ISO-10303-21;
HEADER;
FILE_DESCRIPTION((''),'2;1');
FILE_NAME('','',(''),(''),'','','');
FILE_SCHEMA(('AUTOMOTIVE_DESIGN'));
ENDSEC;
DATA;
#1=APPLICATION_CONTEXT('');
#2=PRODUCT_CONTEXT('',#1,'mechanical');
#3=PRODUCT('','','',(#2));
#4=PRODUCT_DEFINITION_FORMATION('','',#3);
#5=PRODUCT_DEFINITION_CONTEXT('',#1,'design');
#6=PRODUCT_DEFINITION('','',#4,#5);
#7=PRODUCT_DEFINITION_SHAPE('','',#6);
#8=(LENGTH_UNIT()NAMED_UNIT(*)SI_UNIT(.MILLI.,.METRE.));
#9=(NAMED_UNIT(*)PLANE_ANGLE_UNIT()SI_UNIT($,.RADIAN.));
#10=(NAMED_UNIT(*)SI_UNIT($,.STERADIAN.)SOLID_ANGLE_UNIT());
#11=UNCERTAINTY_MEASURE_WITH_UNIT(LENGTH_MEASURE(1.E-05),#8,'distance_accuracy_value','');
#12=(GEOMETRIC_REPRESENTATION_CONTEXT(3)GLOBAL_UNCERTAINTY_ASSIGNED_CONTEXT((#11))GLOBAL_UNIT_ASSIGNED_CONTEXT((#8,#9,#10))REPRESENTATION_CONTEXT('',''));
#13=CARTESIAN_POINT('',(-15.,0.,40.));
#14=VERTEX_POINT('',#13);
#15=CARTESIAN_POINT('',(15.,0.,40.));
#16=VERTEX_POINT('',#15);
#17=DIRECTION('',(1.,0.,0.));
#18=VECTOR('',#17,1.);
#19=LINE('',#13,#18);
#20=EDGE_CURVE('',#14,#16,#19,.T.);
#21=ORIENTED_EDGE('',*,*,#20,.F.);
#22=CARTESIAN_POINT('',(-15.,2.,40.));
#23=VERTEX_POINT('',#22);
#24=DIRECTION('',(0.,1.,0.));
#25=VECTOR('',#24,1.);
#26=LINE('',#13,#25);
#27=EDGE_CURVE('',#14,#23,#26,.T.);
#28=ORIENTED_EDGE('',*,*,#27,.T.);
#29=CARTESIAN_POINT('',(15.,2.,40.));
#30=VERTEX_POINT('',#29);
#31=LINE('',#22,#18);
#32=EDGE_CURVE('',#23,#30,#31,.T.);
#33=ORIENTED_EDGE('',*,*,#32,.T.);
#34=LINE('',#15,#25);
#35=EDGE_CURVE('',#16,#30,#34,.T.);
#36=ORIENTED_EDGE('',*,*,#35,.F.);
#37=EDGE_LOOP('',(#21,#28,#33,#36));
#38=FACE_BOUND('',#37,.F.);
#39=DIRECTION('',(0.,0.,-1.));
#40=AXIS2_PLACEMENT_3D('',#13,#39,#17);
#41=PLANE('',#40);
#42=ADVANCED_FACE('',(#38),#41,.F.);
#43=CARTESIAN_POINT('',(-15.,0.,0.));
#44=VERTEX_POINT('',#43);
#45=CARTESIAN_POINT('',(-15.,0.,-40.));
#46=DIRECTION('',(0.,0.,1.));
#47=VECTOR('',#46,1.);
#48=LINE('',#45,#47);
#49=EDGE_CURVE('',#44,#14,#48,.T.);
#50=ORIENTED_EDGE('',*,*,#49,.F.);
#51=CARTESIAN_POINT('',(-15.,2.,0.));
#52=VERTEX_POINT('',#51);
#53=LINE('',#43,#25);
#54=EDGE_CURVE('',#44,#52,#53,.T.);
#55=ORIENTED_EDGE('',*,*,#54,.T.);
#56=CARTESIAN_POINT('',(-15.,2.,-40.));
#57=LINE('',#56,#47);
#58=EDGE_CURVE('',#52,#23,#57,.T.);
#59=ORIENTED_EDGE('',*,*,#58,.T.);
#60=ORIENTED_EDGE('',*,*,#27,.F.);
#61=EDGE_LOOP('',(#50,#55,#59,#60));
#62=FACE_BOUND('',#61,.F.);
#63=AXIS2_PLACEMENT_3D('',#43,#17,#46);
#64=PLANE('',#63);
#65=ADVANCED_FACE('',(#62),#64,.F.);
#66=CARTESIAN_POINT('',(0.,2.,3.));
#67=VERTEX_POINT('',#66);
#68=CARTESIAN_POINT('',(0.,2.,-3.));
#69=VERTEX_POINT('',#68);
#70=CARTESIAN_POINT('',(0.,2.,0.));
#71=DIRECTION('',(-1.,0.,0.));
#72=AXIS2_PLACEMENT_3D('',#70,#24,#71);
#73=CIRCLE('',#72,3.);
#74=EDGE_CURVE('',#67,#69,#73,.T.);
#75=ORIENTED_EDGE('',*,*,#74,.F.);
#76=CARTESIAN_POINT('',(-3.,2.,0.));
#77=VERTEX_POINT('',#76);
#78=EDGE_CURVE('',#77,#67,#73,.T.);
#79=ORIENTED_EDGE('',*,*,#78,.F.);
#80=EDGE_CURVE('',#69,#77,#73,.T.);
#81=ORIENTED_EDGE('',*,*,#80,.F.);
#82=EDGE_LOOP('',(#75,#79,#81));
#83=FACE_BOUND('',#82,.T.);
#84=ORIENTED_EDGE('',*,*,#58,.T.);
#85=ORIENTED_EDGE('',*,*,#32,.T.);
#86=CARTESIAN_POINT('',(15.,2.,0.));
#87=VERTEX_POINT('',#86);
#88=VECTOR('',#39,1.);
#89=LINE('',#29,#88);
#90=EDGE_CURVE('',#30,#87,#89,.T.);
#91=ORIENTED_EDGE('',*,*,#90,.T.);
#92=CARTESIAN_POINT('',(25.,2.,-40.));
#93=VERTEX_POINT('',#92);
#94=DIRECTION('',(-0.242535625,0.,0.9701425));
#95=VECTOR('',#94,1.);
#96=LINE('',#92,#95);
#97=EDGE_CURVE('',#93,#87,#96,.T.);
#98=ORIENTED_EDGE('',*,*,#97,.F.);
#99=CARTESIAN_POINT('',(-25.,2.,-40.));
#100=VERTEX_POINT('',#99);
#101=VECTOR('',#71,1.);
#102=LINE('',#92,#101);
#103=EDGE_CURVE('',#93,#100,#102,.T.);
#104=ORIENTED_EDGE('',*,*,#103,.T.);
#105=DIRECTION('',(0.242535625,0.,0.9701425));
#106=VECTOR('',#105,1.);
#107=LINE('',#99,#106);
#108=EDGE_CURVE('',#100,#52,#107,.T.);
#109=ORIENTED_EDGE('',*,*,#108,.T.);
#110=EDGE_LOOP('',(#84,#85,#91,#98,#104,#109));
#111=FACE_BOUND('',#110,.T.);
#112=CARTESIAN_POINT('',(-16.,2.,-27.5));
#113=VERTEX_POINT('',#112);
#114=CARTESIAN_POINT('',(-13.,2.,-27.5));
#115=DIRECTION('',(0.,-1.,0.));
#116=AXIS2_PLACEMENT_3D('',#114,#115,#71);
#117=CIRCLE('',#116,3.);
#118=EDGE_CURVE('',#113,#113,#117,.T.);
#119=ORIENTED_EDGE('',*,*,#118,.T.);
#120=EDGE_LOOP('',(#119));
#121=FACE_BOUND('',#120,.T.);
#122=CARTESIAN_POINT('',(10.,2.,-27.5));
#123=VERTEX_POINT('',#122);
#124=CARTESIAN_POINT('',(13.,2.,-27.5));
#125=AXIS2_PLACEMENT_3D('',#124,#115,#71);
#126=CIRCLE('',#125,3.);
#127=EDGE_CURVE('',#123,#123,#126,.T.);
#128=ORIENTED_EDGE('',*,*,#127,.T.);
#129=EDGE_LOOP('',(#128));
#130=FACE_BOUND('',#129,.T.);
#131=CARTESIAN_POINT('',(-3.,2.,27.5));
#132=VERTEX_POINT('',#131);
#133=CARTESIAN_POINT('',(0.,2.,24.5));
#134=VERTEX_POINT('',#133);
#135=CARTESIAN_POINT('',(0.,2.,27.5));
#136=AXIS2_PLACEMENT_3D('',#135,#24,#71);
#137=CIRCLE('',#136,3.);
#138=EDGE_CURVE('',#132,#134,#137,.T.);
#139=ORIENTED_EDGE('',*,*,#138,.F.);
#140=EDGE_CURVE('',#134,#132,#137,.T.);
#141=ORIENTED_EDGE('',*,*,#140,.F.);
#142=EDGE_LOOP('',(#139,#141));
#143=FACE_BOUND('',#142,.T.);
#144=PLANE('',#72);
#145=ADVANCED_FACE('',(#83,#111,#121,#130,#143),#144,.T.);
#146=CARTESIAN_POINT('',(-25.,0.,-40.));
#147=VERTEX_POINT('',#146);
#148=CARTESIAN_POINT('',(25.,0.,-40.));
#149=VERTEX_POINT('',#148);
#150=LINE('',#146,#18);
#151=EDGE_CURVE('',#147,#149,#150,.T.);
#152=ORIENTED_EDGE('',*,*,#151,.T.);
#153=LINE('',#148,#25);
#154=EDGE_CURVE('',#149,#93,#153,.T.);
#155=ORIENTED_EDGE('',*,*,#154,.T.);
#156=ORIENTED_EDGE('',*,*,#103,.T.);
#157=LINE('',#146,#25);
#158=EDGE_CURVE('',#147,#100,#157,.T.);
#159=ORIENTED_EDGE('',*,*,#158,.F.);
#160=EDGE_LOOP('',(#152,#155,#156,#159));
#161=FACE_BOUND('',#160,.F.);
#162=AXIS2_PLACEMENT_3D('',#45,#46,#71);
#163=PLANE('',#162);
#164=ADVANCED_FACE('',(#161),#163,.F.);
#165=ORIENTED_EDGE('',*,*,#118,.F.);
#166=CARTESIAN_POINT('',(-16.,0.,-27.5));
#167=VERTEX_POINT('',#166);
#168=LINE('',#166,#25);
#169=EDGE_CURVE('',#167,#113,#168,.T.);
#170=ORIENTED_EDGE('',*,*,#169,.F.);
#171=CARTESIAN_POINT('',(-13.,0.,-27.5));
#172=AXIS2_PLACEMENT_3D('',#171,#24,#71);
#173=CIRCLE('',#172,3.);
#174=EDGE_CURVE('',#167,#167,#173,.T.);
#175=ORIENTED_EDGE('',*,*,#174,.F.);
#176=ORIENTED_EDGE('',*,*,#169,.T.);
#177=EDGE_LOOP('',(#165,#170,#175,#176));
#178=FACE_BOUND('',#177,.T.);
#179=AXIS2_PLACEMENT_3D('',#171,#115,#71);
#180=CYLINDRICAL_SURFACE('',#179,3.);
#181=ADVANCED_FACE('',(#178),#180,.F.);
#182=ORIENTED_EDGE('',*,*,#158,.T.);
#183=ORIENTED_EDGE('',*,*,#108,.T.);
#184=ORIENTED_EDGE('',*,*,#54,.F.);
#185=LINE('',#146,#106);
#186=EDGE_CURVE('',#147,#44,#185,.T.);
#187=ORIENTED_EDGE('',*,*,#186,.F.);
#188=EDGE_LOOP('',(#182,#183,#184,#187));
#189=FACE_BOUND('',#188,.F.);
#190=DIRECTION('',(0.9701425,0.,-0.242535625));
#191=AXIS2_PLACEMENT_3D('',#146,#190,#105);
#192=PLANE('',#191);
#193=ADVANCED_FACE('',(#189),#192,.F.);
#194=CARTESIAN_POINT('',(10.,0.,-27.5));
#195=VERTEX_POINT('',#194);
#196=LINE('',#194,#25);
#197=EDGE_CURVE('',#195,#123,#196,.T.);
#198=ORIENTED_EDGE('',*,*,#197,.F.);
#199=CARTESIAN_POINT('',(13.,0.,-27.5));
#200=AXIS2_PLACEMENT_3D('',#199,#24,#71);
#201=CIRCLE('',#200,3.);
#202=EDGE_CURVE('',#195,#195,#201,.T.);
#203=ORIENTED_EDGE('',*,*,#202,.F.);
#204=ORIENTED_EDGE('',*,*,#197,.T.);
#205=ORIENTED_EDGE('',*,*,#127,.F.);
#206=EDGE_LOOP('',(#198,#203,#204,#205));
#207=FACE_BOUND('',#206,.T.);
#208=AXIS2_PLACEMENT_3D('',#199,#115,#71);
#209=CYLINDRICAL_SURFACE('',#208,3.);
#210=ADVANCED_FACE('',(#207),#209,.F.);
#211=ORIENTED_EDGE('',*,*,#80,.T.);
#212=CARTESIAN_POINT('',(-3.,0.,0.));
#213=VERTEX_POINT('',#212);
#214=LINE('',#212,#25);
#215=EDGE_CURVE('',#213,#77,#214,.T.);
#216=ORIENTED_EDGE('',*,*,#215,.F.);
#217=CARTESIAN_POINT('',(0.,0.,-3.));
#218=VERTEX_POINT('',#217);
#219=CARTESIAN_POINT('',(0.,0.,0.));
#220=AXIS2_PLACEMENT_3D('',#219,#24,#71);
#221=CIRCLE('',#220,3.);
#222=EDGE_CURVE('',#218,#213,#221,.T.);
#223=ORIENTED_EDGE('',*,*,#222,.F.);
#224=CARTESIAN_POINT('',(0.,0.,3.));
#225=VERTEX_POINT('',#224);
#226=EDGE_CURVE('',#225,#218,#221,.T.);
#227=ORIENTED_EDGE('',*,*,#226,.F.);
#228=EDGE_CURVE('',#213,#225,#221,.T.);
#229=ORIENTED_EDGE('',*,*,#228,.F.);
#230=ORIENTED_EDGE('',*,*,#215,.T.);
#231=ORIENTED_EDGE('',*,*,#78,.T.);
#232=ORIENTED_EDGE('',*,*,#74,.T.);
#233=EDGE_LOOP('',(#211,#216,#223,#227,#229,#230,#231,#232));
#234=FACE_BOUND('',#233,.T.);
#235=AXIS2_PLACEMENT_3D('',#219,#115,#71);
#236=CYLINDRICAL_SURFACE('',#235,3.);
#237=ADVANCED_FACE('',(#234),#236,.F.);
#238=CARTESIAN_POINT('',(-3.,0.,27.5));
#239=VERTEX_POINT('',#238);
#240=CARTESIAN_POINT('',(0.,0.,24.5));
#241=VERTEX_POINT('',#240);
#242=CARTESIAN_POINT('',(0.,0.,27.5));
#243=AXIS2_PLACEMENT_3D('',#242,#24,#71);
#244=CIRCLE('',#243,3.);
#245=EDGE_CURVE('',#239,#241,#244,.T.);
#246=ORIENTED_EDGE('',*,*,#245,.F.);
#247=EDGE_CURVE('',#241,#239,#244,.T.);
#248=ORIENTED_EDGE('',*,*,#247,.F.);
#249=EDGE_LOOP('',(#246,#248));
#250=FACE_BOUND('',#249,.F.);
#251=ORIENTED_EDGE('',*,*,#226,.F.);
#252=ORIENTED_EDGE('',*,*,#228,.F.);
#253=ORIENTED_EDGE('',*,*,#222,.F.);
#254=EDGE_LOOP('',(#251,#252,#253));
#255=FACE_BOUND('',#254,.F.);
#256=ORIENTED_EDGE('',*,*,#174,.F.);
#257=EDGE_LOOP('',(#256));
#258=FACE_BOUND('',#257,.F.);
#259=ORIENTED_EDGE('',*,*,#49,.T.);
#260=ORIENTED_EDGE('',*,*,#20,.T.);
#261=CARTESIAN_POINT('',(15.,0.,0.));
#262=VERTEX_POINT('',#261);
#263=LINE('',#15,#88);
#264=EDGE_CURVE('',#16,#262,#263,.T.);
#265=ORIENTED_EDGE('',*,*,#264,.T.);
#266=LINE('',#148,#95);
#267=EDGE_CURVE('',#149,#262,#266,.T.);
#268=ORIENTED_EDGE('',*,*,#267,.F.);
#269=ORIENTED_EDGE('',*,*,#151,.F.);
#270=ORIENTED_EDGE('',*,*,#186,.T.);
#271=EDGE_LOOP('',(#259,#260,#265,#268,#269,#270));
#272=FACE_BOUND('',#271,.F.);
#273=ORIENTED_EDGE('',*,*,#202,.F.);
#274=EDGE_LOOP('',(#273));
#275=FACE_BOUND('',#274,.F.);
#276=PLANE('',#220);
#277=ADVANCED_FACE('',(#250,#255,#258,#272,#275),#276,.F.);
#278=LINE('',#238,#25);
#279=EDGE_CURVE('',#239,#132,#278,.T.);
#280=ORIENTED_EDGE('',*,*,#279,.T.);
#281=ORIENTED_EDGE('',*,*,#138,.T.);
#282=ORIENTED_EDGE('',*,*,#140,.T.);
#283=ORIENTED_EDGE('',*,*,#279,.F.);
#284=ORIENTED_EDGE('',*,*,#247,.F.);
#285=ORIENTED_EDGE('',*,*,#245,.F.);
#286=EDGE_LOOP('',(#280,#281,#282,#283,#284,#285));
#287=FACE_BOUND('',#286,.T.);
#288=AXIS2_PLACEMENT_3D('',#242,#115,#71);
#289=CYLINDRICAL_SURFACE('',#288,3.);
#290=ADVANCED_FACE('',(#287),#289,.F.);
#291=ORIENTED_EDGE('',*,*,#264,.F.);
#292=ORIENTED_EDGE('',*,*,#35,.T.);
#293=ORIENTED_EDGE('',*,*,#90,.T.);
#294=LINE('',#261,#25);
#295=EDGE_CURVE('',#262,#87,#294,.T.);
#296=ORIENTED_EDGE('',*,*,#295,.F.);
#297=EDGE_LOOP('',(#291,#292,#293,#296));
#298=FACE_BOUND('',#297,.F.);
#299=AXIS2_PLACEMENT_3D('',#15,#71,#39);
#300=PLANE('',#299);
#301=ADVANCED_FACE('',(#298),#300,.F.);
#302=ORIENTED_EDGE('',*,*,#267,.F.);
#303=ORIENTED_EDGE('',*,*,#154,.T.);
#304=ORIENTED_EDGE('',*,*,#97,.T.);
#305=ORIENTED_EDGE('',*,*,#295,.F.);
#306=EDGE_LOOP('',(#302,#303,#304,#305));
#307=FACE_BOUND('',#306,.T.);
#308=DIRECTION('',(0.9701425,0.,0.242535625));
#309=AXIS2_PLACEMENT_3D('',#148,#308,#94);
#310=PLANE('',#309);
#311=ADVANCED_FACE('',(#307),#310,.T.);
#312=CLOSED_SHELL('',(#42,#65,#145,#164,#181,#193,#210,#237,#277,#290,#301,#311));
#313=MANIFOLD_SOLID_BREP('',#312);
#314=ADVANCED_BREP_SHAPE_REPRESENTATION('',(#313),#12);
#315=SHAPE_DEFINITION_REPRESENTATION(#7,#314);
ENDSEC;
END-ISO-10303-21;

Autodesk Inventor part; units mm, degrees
ref_plane "YZ Plane" through (0, 0, 0) normal (1, 0, 0) x (0, 1, 0)
ref_plane "XZ Plane" through (0, 0, 0) normal (0, 1, 0) x (-1, 0, 0)
ref_plane "XY Plane" through (0, 0, 0) normal (0, 0, 1) x (1, 0, 0)
sketch "Sketch1" plane through (0, 0, 0) normal (0, 1, 0) x (-1, 0, 0)
  line L0 (15, 40) -> (-15, 40)
  line L1 (-15, 40) -> (-15, -40)
  line L2 (-15, -40) -> (15, -40)
  line L3 (15, -40) -> (15, 40)
  line L4 (15, 40) -> (-15, -40) construction
  line L5 (-15, 40) -> (15, -40) construction
  circle A0 centre (0, 0) radius 3
  line L6 (0, 0) -> (0, -27.5)
  line L7 (0, 0) -> (0, 27.5)
  circle A1 centre (0, 27.5) radius 3
  line L8 (-15, -40) -> (-25, -40)
  line L9 (-25, -40) -> (-15, 0)
  line L10 (15, -40) -> (25, -40)
  line L11 (25, -40) -> (15, 0)
  line L12 (0, -27.5) -> (13, -27.5)
  line L13 (0, -27.5) -> (-13, -27.5)
  circle A2 centre (13, -27.5) radius 3
  circle A3 centre (-13, -27.5) radius 3
  dimension "d0" = 30
  dimension "d1" = 80
  dimension "d2" = 6
  dimension "d3" = 27.5
  dimension "d4" = 27.5
  dimension "d5" = 6
  dimension "d6" = 10
  dimension "d7" = 10
  dimension "d8" = 13
  dimension "d9" = 13
  dimension "d10" = 6
  dimension "d11" = 6
extrude "Extrusion1" add sketch "Sketch1" along normal blind 2 contours L3 A2 L12 L13 A3 L1 L0 | L11 L10 L3 A2 | L1 A3 L8 L9 | L3 L2 L1 A3 L13 L12 A2
properties part number "ConnectTx3030_m6" material "Aluminum 6061"
